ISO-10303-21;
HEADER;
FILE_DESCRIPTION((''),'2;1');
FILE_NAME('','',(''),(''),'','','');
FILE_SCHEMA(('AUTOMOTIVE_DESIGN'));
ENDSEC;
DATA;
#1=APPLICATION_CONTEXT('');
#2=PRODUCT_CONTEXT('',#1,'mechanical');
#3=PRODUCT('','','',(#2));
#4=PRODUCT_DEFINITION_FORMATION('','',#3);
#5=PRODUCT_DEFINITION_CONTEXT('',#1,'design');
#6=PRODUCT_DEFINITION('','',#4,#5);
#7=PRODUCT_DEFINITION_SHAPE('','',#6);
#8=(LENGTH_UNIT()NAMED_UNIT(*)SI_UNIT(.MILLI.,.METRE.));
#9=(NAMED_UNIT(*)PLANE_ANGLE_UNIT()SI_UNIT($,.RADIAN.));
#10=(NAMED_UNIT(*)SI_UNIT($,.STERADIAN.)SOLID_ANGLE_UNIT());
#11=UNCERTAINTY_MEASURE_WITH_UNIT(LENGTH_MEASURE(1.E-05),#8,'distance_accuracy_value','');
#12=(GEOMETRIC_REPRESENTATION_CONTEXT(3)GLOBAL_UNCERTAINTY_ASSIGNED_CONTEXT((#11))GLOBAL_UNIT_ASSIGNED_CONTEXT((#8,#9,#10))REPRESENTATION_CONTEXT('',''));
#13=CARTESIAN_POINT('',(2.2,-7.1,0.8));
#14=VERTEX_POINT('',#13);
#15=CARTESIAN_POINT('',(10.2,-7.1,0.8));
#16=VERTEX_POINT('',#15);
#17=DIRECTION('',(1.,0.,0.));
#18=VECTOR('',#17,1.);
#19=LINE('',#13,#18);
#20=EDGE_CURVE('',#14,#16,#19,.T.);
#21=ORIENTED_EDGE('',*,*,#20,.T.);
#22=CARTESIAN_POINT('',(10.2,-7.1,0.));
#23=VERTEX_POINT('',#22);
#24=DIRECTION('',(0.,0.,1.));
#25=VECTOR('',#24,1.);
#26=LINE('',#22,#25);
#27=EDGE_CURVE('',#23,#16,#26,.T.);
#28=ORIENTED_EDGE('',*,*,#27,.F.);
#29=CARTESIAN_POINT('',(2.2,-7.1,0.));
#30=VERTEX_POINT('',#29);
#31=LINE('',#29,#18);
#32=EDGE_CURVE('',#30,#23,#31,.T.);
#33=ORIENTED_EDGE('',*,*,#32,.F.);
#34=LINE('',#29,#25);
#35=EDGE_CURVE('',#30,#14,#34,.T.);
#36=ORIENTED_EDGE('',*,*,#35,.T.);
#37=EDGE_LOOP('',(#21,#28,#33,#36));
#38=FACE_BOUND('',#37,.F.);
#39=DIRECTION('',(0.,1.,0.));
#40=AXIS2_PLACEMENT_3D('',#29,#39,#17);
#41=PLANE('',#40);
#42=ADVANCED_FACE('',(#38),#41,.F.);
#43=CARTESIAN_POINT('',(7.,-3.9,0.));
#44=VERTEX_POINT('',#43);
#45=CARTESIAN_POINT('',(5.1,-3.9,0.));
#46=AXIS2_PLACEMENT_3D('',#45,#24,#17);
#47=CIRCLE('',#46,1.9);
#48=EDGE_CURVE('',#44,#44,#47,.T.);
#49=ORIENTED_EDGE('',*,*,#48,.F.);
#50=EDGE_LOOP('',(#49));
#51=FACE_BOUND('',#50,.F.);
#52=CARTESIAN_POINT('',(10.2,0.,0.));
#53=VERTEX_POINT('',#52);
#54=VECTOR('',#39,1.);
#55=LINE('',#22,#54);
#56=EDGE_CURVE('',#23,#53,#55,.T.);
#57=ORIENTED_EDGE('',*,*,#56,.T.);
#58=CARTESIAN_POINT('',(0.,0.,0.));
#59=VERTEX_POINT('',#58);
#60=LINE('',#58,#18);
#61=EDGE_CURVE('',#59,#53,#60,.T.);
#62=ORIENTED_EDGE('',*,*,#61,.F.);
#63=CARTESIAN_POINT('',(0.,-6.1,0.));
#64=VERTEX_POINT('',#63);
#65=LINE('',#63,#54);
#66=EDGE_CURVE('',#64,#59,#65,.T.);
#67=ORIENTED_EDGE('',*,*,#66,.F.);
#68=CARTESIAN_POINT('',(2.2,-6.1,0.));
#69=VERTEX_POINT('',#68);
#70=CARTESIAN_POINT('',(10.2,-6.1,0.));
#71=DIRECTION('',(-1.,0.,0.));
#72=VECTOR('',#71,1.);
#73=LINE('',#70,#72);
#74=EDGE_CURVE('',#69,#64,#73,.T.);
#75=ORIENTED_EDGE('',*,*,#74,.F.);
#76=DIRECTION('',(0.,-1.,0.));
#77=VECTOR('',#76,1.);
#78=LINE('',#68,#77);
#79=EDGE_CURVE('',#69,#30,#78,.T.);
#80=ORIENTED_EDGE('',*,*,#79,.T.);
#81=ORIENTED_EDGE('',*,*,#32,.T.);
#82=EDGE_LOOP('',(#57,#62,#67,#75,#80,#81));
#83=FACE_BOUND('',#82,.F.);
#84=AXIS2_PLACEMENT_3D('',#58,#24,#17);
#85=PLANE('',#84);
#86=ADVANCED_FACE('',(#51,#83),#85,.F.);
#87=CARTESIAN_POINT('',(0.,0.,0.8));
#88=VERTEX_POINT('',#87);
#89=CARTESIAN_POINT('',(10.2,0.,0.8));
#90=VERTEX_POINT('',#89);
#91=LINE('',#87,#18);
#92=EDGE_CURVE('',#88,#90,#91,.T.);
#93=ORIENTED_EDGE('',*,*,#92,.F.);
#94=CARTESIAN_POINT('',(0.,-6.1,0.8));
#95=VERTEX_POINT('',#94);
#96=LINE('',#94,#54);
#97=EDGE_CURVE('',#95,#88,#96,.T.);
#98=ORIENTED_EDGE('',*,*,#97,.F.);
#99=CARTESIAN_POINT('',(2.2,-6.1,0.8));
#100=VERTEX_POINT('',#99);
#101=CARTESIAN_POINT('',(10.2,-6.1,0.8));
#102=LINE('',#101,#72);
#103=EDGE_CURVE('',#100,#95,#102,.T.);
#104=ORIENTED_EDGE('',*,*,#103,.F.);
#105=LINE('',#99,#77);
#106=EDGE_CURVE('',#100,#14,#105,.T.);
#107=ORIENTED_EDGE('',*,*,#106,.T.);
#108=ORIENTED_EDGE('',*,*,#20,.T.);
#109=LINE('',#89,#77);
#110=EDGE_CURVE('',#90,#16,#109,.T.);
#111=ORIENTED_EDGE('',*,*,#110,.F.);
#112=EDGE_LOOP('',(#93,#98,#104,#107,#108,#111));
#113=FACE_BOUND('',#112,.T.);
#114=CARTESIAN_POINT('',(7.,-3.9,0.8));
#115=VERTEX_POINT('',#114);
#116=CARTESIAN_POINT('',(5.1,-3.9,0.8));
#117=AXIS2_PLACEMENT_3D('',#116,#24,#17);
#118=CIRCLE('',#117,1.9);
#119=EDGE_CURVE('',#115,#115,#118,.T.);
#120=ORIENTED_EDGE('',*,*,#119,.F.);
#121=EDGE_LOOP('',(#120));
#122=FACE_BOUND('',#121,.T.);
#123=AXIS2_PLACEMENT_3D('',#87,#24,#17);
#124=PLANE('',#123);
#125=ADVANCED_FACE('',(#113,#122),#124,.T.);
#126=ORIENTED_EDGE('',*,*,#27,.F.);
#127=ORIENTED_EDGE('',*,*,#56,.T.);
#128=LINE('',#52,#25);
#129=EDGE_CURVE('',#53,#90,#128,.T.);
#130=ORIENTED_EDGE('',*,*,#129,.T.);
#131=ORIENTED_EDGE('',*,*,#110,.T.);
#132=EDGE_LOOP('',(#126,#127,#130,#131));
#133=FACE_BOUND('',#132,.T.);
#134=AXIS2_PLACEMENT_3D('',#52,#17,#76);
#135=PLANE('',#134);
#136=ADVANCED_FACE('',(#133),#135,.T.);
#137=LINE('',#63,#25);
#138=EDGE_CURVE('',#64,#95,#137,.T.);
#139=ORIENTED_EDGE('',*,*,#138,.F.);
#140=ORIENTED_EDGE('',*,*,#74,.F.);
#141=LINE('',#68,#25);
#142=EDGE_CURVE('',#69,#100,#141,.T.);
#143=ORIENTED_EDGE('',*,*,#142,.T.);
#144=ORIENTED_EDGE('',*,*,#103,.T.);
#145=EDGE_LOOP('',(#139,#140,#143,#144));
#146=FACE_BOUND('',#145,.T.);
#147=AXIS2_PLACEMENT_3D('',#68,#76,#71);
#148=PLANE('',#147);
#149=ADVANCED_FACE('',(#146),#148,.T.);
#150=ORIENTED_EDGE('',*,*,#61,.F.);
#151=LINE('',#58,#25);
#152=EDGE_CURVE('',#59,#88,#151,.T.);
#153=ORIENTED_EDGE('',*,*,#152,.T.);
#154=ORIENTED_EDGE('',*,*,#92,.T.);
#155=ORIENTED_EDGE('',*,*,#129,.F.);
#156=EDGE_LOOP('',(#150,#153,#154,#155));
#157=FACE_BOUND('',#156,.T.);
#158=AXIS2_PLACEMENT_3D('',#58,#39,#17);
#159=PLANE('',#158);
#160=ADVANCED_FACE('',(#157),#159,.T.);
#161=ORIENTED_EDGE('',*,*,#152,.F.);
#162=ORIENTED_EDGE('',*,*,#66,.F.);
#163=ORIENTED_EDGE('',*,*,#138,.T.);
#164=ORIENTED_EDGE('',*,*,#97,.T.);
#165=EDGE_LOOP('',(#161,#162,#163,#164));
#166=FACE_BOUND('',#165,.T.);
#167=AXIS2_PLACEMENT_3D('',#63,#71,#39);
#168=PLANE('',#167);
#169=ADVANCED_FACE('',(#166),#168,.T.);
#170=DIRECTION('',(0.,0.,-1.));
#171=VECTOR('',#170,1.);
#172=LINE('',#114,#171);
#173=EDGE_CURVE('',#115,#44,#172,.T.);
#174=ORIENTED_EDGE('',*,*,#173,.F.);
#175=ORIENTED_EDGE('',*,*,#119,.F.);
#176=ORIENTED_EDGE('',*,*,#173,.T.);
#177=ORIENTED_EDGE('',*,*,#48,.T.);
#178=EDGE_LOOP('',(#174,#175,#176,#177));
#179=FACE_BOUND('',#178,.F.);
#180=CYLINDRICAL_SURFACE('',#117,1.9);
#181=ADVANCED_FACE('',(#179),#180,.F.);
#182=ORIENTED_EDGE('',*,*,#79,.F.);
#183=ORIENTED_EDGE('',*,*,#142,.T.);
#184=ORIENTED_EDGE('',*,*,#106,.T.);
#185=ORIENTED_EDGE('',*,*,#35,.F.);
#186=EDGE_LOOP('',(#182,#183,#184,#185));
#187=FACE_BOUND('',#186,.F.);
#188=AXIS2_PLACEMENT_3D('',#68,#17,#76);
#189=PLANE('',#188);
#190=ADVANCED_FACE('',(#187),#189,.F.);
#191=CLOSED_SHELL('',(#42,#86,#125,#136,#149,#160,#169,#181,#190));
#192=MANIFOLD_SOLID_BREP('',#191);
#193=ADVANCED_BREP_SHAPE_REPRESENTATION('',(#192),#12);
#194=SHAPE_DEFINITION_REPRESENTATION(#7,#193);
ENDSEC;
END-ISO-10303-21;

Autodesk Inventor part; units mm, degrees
ref_plane "YZ Plane" through (0, 0, 0) normal (1, 0, 0) x (0, 1, 0)
ref_plane "XZ Plane" through (0, 0, 0) normal (0, 1, 0) x (-1, 0, 0)
ref_plane "XY Plane" through (0, 0, 0) normal (0, 0, 1) x (1, 0, 0)
sketch "Эскиз1" plane through (0, 0, 0) normal (0, 0, 1) x (1, 0, 0)
  line L0 (0, 0) -> (10.2, 0)
  line L1 (10.2, 0) -> (10.2, -6.1)
  line L2 (10.2, -6.1) -> (0, -6.1)
  line L3 (0, -6.1) -> (0, 0)
  line L4 (10.2, -6.1) -> (2.2, -6.1)
  line L5 (2.2, -6.1) -> (2.2, -7.1)
  line L6 (2.2, -7.1) -> (10.2, -7.1)
  line L7 (10.2, -7.1) -> (10.2, -6.1)
  dimension "d0" = 10.2
  dimension "d1" = 6.1
  dimension "d2" = 8
  dimension "d3" = 1
extrude "Выдавливание1" add sketch "Эскиз1" along normal blind 0.8
sketch "Эскиз2" plane through (0, 0, 0.8) normal (0, 0, 1) x (1, 0, 0)
  line L0 (2.2, -7.1) -> (10.2, -7.1) projected
  line L1 (10.2, -7.1) -> (10.2, -3.9)
  line L2 (10.2, -7.1) -> (10.2, 0) projected
  line L3 (10.2, -3.9) -> (5.1, -3.9)
  line L4 (0, 0) -> (0, -6.1) projected
  circle A0 centre (5.1, -3.9) radius 1.9
  dimension "d6" = 3.2
  dimension "d7" = 5.1
  dimension "d8" = 3.8
extrude "Выдавливание2" cut sketch "Эскиз2" against normal blind 0.8
properties part number "shayba kvadrat"
